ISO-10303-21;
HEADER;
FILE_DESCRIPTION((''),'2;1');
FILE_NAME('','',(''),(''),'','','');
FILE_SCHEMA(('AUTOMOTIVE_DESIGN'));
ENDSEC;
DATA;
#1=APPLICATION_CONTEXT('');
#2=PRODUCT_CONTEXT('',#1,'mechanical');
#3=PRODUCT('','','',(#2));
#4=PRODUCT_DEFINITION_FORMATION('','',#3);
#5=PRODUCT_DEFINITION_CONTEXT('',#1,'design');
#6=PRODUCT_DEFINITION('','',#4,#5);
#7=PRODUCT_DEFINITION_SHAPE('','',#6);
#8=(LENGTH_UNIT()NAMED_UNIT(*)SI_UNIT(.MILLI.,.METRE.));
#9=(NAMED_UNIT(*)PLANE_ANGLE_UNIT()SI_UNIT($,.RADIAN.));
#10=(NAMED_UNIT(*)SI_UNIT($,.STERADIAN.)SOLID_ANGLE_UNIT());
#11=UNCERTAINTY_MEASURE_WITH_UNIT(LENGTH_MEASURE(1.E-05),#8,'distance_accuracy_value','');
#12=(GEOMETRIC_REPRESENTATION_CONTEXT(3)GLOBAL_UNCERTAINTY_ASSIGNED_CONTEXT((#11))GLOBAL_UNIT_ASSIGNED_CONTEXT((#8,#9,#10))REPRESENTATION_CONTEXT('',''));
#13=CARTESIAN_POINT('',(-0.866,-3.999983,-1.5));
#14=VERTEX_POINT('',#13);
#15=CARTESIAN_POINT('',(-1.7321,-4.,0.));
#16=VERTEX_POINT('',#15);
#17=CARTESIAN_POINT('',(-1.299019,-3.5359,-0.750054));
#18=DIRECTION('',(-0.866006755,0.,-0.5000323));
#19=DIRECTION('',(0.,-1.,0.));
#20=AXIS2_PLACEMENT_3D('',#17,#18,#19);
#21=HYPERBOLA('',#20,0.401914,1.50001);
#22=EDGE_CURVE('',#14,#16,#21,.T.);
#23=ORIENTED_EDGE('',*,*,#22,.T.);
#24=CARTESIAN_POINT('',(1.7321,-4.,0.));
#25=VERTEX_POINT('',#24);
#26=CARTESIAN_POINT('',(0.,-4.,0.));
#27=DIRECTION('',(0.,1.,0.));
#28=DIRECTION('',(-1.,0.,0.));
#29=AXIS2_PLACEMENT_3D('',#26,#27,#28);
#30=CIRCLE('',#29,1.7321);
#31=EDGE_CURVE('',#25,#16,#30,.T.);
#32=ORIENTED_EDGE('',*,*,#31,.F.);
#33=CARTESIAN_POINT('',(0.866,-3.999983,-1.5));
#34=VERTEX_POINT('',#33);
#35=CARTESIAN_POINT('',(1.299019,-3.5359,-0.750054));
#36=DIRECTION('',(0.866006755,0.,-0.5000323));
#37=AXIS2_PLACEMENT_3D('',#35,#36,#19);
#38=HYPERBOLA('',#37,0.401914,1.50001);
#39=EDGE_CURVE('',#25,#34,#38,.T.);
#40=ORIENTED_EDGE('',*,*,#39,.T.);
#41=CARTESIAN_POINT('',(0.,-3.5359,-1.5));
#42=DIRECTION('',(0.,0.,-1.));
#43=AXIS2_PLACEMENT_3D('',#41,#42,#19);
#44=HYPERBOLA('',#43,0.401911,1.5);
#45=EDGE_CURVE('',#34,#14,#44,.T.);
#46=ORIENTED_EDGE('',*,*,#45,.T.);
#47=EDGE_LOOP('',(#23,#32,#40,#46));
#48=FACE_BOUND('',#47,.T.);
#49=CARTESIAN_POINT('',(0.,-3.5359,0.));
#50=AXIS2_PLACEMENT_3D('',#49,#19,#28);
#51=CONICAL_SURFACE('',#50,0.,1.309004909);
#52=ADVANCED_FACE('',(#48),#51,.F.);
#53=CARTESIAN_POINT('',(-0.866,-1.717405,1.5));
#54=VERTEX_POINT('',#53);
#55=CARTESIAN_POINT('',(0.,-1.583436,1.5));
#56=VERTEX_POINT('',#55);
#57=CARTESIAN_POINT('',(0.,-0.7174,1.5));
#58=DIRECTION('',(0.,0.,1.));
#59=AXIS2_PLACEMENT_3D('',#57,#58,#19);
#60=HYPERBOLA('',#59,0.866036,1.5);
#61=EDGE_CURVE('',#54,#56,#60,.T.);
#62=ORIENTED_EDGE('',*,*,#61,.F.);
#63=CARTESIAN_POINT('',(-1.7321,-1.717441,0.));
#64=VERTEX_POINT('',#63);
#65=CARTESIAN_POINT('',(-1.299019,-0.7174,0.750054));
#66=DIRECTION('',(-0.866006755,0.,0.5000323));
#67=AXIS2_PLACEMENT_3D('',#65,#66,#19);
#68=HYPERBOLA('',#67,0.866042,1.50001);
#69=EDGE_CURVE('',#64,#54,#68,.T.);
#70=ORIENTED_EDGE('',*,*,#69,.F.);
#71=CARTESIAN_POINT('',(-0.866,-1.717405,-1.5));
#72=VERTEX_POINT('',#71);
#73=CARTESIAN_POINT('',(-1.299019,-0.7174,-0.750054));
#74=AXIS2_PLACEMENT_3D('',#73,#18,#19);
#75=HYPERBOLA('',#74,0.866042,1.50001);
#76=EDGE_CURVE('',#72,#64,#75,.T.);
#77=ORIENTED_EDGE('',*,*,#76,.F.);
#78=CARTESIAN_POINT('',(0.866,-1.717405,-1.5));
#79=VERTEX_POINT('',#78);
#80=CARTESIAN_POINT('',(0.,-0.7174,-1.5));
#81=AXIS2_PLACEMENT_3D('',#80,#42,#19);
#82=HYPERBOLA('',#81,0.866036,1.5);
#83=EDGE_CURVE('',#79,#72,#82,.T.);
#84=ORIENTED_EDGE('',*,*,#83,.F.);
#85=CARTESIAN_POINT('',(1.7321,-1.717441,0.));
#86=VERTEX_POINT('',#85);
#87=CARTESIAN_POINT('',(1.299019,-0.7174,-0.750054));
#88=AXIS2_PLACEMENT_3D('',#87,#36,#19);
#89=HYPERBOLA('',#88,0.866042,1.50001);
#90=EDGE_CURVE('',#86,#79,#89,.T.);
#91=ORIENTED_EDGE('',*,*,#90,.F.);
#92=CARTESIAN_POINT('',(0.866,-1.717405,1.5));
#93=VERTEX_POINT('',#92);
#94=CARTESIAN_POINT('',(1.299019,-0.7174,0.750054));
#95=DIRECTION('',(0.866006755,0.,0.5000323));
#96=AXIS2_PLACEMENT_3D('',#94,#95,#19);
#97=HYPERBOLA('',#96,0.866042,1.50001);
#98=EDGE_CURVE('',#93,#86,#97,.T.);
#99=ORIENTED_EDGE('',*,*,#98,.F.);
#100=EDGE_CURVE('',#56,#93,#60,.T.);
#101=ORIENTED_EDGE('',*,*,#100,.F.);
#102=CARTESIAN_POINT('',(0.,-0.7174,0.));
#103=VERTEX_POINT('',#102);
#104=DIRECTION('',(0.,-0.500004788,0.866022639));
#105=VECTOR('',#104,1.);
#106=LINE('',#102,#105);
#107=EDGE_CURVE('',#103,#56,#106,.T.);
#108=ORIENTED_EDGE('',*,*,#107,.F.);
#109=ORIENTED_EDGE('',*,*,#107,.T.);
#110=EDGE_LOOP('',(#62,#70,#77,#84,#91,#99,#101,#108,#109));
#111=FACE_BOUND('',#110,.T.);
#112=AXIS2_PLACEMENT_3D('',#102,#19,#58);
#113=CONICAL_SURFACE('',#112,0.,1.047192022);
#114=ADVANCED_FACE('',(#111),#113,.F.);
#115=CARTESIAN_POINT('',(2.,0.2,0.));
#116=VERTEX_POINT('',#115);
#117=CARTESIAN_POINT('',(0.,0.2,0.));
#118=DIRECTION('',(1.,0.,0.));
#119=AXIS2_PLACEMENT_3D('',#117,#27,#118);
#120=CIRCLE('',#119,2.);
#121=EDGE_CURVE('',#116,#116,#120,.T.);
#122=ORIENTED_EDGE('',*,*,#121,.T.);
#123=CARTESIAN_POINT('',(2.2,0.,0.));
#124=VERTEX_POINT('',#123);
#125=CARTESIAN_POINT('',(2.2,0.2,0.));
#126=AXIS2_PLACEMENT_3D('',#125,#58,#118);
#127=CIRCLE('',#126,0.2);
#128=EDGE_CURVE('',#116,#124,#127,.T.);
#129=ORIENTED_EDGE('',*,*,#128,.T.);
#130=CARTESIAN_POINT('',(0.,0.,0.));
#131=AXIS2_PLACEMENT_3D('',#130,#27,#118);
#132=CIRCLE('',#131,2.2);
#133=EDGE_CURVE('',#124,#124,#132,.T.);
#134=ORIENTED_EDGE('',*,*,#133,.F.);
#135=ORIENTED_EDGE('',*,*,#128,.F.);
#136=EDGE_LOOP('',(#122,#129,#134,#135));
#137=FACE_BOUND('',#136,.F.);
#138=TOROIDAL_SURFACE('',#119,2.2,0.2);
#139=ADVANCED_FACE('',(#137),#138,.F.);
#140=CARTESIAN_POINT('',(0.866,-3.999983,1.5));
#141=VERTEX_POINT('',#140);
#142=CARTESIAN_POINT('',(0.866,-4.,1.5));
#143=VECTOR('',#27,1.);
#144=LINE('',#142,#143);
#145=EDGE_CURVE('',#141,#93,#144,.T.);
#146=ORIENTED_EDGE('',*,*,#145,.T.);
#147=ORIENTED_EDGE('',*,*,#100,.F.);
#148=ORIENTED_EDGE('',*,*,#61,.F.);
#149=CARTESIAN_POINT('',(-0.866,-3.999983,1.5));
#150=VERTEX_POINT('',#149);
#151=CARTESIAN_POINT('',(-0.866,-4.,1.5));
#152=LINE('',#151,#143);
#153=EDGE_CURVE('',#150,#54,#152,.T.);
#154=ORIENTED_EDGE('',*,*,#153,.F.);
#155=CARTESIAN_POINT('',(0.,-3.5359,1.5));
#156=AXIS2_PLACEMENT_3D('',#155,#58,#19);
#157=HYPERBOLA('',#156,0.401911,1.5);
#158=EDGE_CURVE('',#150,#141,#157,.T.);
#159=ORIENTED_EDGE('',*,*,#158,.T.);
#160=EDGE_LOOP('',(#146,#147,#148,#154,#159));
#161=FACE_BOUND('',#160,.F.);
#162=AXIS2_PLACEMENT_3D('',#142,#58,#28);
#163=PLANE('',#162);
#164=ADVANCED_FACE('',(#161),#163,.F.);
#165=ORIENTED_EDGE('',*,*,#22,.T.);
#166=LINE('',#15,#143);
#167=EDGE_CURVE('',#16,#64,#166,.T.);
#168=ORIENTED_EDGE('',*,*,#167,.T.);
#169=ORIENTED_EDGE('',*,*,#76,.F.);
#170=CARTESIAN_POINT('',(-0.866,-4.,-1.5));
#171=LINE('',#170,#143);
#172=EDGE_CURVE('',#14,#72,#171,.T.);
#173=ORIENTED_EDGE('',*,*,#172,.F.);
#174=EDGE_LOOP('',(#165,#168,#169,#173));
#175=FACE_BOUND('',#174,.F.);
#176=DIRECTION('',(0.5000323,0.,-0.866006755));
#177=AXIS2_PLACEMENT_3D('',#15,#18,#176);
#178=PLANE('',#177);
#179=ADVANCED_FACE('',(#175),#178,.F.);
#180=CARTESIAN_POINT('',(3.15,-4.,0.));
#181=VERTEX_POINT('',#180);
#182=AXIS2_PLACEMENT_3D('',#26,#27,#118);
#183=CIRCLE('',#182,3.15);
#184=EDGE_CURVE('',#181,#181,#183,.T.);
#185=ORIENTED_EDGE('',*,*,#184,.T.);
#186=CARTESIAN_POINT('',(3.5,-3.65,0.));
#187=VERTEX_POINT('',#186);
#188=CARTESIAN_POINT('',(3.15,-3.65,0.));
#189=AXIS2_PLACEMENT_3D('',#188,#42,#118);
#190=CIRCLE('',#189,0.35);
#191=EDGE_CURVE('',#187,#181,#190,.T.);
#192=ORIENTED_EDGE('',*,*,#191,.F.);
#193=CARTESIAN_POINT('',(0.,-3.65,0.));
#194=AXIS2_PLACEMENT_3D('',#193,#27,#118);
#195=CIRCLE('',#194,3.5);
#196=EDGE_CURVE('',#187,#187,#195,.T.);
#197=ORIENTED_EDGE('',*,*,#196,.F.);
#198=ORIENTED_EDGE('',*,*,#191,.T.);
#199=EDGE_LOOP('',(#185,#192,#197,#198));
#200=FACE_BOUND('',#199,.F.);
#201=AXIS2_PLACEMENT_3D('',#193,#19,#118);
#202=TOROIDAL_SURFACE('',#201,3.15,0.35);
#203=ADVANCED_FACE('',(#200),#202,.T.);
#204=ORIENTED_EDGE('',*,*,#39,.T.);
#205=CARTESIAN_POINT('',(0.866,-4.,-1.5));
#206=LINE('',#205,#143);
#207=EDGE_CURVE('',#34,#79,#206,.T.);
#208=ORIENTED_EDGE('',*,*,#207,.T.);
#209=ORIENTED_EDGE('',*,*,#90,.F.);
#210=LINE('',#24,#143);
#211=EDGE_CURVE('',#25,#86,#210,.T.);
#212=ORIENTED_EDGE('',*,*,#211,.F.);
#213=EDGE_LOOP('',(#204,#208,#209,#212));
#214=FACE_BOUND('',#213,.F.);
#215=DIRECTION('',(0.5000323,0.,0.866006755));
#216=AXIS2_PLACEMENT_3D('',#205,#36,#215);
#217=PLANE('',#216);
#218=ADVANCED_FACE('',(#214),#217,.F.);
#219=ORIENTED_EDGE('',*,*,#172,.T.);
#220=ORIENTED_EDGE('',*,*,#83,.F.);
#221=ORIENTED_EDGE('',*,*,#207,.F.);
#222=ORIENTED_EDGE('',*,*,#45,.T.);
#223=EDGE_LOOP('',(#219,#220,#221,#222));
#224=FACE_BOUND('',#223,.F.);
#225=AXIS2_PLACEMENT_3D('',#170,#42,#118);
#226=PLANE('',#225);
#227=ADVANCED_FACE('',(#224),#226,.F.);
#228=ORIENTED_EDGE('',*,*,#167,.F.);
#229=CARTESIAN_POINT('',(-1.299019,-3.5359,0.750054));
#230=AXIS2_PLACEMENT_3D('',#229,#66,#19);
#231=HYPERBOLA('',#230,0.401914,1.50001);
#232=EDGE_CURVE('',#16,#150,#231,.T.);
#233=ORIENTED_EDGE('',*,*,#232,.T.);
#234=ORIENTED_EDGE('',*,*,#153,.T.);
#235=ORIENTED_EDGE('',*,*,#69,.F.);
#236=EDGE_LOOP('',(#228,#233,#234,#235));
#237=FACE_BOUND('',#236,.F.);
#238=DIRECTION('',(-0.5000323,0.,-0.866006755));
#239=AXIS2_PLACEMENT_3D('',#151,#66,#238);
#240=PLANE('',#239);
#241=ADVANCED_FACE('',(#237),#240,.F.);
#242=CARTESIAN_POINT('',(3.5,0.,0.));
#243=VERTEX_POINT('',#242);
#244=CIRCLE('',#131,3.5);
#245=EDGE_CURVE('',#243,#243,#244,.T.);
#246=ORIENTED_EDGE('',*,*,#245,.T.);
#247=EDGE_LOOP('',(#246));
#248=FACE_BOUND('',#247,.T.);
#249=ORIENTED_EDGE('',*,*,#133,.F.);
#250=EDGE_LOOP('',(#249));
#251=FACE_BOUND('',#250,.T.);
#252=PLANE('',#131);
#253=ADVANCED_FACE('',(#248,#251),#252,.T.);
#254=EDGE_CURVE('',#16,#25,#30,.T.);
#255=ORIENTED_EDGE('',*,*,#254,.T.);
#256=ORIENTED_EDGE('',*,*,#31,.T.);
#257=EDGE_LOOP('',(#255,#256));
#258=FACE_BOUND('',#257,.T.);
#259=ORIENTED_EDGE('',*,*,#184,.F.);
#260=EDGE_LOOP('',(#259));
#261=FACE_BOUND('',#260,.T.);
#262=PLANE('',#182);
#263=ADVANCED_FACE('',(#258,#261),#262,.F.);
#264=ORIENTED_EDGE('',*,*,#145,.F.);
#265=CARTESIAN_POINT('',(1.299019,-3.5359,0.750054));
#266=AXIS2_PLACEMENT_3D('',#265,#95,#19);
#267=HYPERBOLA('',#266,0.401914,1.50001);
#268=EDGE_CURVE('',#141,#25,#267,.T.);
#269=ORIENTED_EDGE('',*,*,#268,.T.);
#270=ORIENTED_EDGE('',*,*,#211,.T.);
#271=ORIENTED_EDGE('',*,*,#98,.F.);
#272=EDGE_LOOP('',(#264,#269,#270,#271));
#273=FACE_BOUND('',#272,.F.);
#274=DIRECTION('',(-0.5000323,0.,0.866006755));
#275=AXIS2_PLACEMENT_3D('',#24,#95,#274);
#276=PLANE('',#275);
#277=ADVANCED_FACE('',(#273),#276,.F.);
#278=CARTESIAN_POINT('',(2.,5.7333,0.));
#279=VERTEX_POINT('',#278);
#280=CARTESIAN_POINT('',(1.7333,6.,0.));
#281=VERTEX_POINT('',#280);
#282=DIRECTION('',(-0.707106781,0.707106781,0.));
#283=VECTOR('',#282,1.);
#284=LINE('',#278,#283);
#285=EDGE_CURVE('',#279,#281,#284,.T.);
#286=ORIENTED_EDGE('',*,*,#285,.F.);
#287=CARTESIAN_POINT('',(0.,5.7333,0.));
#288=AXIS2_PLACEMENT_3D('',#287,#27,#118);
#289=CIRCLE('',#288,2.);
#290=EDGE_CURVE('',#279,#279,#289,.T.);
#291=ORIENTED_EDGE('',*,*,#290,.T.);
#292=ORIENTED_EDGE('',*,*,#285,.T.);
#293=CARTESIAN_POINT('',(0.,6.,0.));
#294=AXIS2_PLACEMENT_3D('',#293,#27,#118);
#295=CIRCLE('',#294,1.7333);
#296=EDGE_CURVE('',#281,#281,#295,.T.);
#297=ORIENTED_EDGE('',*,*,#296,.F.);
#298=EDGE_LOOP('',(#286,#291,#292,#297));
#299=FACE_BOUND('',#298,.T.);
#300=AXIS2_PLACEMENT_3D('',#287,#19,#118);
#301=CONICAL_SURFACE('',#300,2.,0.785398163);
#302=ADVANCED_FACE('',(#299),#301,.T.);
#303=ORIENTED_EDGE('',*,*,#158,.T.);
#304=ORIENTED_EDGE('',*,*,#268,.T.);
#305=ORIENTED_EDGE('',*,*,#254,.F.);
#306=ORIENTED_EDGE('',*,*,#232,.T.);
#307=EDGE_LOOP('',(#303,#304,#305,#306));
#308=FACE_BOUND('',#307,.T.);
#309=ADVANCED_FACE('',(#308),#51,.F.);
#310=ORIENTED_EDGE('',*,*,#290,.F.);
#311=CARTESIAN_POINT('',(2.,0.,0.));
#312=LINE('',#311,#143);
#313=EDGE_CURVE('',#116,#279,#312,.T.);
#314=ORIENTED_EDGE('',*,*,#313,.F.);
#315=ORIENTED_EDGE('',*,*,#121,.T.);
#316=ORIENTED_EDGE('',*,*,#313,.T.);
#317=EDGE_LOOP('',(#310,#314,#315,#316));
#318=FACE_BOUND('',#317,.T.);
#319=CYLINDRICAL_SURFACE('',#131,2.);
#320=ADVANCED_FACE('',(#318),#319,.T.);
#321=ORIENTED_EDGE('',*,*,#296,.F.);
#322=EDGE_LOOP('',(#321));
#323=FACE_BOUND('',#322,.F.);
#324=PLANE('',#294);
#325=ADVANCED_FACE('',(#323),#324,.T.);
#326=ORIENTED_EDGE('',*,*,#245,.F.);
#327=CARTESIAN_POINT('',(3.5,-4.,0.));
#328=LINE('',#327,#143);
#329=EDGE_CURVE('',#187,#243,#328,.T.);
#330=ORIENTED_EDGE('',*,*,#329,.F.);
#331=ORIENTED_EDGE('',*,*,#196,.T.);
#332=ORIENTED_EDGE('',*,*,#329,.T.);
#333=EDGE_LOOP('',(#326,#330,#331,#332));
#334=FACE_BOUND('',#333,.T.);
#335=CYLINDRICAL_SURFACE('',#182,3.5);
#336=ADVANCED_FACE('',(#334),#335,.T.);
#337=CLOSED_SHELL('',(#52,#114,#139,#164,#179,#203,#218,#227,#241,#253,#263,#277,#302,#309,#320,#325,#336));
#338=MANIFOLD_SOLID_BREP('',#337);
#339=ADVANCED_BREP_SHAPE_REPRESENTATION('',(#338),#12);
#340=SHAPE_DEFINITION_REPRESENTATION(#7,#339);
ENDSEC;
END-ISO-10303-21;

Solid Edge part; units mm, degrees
sketch "Sketch1" plane through (0, 0, 0) normal (0, 0, 1) x (1, 0, 0)
  line L0 (2, 0) -> (2, 6)
  line L1 (0, 6) -> (2, 6)
  line L2 (0, 0) -> (0, 6)
  line L3 (0, 0) -> (0, -4)
  line L4 (0, -4) -> (3.5, -4)
  line L5 (3.5, -4) -> (3.5, 0)
  line L6 (3.5, 0) -> (2, 0)
revolve "RevolvedProtrusion1" add sketch "Sketch1" angle 360 about axis through (0, 0, 0) along (0, 1, 0)
sketch "Sketch2" plane through (0, 0, 0) normal (1, 0, 0) x (0, 1, 0)
  line L0 (-4, 2.2215) -> (-2, 2.2215)
  line L1 (-0.7174, 0) -> (-2, 2.2215)
  line L2 (-4, 0) -> (-0.7174, 0)
  line L3 (-4, 0) -> (-4, 2.2215)
revolve "RevolvedCutout1" cut sketch "Sketch2" angle 360 about axis through (0, -4.5, 0) along (0, 1, 0)
sketch "Sketch3" plane through (0, -4, 0) normal (0, -1, 0) x (0, 0, 1)
  circle A0 centre (0, 0) radius 2.2215
  line L0 (-1.5, -0.866) -> (0, -1.7321)
  line L1 (0, -1.7321) -> (1.5, -0.866)
  line L2 (1.5, -0.866) -> (1.5, 0.866)
  line L3 (1.5, 0.866) -> (0, 1.7321)
  line L4 (0, 1.7321) -> (-1.5, 0.866)
  line L5 (-1.5, 0.866) -> (-1.5, -0.866)
  dimension "D1" = 3
extrude "Protrusion1" add sketch "Sketch3" against normal up to next
sketch "Sketch4" plane through (0, 0, 0) normal (0, 0, 1) x (1, 0, 0)
  line L0 (-1.7321, -4) -> (0, -4)
  line L1 (0, -4) -> (0, -3.5359)
  line L2 (0, -3.5359) -> (-1.7321, -4)
revolve "RevolvedCutout2" cut sketch "Sketch4" angle 360 about axis through (0, -4.5, 0) along (0, 1, 0)
fillet "Round1" radius 0.2 1 edges at (0, 0, -2)
fillet "Round2" radius 0.35 1 edges at (0, -4, -3.5)
chamfer "倒斜角_2" distance 0.2667 angle 45 1 edges at (0, 6, -2)
cosmetic_thread "螺纹_3" size "M4" thread depth 4.8
